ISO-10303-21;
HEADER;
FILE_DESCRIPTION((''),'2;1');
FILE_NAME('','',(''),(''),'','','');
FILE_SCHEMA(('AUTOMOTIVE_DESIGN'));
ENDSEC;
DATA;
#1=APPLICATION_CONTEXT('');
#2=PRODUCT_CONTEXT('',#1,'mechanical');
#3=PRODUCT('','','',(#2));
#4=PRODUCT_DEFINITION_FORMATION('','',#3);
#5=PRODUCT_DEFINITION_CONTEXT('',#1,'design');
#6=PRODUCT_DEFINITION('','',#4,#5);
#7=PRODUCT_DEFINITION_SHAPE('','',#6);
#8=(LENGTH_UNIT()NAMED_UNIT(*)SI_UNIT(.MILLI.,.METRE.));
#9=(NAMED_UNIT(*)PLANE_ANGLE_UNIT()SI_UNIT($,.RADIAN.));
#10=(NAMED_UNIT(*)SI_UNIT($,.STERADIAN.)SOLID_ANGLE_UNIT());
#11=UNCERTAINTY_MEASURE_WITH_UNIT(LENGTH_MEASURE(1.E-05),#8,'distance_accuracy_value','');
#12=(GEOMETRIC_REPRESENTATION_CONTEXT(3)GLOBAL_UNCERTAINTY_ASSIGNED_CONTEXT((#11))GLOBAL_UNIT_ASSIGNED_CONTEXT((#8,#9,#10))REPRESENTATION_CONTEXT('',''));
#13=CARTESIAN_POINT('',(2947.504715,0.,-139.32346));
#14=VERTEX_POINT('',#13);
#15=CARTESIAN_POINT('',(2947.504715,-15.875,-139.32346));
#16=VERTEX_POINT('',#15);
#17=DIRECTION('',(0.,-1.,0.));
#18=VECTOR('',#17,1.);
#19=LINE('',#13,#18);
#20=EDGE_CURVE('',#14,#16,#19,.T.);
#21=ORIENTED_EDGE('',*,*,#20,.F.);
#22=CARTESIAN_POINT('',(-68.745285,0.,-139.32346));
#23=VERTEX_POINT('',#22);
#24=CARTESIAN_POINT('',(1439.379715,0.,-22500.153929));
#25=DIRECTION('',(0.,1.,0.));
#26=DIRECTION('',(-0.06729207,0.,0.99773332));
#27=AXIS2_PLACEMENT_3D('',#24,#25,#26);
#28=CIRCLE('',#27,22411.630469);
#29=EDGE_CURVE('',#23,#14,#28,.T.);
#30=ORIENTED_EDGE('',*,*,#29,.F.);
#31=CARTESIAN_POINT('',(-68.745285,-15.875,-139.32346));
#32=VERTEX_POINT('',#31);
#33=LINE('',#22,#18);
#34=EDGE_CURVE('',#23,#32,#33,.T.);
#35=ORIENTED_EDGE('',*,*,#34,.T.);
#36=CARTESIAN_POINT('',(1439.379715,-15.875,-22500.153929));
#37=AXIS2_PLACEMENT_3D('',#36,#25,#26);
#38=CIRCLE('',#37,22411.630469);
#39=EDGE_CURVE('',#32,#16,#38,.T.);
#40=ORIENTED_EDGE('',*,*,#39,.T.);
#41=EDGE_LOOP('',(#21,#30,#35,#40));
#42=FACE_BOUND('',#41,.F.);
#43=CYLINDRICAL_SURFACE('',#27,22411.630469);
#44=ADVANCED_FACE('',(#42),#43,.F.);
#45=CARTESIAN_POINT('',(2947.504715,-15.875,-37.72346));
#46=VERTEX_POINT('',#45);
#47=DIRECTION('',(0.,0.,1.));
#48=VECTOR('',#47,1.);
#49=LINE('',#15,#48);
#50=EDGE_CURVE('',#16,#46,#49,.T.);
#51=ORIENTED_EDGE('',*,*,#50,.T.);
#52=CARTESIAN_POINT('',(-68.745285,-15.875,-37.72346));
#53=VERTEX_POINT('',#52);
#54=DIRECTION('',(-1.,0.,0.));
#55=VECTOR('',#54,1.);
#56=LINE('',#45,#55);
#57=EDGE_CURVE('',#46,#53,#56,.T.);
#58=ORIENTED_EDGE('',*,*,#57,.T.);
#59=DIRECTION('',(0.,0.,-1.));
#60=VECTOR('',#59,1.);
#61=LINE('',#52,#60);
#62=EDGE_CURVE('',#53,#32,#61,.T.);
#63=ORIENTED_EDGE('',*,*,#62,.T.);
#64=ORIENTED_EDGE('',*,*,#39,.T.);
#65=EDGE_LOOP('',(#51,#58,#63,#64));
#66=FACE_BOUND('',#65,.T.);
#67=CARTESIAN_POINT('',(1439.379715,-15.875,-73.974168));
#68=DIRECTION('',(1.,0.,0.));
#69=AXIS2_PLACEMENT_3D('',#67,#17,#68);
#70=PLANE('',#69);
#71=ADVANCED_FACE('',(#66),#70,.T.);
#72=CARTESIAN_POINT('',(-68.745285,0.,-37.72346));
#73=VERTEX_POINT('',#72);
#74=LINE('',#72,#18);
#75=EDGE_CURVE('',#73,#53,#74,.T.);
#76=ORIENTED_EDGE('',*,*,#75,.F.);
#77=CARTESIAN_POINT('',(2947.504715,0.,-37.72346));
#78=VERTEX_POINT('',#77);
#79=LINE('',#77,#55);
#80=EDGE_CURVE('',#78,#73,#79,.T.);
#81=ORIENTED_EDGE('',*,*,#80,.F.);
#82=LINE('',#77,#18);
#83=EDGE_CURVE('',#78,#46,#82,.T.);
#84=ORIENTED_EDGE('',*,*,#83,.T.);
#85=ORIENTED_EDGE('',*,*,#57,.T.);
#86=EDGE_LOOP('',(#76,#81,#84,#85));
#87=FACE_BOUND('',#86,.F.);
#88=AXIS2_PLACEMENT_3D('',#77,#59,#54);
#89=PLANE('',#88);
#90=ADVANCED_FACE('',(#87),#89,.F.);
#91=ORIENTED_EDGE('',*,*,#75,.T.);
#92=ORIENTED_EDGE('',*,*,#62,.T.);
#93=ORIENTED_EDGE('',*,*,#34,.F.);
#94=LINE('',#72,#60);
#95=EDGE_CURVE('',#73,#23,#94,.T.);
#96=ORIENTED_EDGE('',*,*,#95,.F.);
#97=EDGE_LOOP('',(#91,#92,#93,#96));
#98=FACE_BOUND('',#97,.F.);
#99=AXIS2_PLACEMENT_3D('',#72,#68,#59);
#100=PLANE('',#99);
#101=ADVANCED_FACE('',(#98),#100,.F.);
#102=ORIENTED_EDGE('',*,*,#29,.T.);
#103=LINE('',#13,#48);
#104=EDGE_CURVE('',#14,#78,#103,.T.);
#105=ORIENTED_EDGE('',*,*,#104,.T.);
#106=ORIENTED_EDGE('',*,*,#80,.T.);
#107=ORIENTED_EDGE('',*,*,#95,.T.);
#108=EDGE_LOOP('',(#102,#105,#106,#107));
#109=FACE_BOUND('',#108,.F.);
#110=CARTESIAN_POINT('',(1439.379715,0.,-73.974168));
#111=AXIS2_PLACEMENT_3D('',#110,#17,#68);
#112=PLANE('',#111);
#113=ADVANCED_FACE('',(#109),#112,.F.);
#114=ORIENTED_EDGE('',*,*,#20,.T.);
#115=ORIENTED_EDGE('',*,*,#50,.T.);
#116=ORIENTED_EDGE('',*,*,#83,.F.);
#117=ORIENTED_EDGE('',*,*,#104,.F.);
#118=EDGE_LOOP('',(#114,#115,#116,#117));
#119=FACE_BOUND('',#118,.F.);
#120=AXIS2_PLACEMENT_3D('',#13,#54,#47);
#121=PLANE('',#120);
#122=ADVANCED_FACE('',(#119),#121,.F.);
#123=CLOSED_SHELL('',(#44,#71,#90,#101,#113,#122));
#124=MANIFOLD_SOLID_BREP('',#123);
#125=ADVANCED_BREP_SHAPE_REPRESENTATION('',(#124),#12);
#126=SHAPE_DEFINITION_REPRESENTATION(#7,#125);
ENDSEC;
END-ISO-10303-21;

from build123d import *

# Parameters (mm, degrees)
F1_DEPTH = 25.4
F4_DEPTH = 15.875


with BuildPart() as f1:
    # F0 (on Front) → F1 (new body)
    with BuildSketch(Plane.XZ):
        with BuildLine():
            Line((3002.6782843828, 28.9431316674), (-115.1717156172, 28.9431316674))
            Line((-115.1717156172, 28.9431316674), (-115.1717156172, -47.2568683326))
            ThreePointArc((-115.1717156172, -47.2568683323), (1443.7532843828, 3.5431316677), (3002.6782843828, -47.2568683323))
            Line((3002.6782843828, -47.2568683326), (3002.6782843828, 28.9431316674))
        make_face()
    extrude(amount=F1_DEPTH)


with BuildPart() as f4:
    # F3 (on Front) → F4 (new body)
    with BuildSketch(Plane.XZ):
        with BuildLine():
            Line((2947.5047147274, -37.7234602451), (-68.7452852726, -37.7234602451))
            Line((-68.7452852726, -37.7234602451), (-68.7452852726, -139.3234602451))
            ThreePointArc((-68.7452852726, -139.3234602449), (1439.3797147274, -88.5234602449), (2947.5047147274, -139.3234602449))
            Line((2947.5047147274, -139.3234602451), (2947.5047147274, -37.7234602451))
        make_face()
    extrude(amount=F4_DEPTH)


solid = f4.part
